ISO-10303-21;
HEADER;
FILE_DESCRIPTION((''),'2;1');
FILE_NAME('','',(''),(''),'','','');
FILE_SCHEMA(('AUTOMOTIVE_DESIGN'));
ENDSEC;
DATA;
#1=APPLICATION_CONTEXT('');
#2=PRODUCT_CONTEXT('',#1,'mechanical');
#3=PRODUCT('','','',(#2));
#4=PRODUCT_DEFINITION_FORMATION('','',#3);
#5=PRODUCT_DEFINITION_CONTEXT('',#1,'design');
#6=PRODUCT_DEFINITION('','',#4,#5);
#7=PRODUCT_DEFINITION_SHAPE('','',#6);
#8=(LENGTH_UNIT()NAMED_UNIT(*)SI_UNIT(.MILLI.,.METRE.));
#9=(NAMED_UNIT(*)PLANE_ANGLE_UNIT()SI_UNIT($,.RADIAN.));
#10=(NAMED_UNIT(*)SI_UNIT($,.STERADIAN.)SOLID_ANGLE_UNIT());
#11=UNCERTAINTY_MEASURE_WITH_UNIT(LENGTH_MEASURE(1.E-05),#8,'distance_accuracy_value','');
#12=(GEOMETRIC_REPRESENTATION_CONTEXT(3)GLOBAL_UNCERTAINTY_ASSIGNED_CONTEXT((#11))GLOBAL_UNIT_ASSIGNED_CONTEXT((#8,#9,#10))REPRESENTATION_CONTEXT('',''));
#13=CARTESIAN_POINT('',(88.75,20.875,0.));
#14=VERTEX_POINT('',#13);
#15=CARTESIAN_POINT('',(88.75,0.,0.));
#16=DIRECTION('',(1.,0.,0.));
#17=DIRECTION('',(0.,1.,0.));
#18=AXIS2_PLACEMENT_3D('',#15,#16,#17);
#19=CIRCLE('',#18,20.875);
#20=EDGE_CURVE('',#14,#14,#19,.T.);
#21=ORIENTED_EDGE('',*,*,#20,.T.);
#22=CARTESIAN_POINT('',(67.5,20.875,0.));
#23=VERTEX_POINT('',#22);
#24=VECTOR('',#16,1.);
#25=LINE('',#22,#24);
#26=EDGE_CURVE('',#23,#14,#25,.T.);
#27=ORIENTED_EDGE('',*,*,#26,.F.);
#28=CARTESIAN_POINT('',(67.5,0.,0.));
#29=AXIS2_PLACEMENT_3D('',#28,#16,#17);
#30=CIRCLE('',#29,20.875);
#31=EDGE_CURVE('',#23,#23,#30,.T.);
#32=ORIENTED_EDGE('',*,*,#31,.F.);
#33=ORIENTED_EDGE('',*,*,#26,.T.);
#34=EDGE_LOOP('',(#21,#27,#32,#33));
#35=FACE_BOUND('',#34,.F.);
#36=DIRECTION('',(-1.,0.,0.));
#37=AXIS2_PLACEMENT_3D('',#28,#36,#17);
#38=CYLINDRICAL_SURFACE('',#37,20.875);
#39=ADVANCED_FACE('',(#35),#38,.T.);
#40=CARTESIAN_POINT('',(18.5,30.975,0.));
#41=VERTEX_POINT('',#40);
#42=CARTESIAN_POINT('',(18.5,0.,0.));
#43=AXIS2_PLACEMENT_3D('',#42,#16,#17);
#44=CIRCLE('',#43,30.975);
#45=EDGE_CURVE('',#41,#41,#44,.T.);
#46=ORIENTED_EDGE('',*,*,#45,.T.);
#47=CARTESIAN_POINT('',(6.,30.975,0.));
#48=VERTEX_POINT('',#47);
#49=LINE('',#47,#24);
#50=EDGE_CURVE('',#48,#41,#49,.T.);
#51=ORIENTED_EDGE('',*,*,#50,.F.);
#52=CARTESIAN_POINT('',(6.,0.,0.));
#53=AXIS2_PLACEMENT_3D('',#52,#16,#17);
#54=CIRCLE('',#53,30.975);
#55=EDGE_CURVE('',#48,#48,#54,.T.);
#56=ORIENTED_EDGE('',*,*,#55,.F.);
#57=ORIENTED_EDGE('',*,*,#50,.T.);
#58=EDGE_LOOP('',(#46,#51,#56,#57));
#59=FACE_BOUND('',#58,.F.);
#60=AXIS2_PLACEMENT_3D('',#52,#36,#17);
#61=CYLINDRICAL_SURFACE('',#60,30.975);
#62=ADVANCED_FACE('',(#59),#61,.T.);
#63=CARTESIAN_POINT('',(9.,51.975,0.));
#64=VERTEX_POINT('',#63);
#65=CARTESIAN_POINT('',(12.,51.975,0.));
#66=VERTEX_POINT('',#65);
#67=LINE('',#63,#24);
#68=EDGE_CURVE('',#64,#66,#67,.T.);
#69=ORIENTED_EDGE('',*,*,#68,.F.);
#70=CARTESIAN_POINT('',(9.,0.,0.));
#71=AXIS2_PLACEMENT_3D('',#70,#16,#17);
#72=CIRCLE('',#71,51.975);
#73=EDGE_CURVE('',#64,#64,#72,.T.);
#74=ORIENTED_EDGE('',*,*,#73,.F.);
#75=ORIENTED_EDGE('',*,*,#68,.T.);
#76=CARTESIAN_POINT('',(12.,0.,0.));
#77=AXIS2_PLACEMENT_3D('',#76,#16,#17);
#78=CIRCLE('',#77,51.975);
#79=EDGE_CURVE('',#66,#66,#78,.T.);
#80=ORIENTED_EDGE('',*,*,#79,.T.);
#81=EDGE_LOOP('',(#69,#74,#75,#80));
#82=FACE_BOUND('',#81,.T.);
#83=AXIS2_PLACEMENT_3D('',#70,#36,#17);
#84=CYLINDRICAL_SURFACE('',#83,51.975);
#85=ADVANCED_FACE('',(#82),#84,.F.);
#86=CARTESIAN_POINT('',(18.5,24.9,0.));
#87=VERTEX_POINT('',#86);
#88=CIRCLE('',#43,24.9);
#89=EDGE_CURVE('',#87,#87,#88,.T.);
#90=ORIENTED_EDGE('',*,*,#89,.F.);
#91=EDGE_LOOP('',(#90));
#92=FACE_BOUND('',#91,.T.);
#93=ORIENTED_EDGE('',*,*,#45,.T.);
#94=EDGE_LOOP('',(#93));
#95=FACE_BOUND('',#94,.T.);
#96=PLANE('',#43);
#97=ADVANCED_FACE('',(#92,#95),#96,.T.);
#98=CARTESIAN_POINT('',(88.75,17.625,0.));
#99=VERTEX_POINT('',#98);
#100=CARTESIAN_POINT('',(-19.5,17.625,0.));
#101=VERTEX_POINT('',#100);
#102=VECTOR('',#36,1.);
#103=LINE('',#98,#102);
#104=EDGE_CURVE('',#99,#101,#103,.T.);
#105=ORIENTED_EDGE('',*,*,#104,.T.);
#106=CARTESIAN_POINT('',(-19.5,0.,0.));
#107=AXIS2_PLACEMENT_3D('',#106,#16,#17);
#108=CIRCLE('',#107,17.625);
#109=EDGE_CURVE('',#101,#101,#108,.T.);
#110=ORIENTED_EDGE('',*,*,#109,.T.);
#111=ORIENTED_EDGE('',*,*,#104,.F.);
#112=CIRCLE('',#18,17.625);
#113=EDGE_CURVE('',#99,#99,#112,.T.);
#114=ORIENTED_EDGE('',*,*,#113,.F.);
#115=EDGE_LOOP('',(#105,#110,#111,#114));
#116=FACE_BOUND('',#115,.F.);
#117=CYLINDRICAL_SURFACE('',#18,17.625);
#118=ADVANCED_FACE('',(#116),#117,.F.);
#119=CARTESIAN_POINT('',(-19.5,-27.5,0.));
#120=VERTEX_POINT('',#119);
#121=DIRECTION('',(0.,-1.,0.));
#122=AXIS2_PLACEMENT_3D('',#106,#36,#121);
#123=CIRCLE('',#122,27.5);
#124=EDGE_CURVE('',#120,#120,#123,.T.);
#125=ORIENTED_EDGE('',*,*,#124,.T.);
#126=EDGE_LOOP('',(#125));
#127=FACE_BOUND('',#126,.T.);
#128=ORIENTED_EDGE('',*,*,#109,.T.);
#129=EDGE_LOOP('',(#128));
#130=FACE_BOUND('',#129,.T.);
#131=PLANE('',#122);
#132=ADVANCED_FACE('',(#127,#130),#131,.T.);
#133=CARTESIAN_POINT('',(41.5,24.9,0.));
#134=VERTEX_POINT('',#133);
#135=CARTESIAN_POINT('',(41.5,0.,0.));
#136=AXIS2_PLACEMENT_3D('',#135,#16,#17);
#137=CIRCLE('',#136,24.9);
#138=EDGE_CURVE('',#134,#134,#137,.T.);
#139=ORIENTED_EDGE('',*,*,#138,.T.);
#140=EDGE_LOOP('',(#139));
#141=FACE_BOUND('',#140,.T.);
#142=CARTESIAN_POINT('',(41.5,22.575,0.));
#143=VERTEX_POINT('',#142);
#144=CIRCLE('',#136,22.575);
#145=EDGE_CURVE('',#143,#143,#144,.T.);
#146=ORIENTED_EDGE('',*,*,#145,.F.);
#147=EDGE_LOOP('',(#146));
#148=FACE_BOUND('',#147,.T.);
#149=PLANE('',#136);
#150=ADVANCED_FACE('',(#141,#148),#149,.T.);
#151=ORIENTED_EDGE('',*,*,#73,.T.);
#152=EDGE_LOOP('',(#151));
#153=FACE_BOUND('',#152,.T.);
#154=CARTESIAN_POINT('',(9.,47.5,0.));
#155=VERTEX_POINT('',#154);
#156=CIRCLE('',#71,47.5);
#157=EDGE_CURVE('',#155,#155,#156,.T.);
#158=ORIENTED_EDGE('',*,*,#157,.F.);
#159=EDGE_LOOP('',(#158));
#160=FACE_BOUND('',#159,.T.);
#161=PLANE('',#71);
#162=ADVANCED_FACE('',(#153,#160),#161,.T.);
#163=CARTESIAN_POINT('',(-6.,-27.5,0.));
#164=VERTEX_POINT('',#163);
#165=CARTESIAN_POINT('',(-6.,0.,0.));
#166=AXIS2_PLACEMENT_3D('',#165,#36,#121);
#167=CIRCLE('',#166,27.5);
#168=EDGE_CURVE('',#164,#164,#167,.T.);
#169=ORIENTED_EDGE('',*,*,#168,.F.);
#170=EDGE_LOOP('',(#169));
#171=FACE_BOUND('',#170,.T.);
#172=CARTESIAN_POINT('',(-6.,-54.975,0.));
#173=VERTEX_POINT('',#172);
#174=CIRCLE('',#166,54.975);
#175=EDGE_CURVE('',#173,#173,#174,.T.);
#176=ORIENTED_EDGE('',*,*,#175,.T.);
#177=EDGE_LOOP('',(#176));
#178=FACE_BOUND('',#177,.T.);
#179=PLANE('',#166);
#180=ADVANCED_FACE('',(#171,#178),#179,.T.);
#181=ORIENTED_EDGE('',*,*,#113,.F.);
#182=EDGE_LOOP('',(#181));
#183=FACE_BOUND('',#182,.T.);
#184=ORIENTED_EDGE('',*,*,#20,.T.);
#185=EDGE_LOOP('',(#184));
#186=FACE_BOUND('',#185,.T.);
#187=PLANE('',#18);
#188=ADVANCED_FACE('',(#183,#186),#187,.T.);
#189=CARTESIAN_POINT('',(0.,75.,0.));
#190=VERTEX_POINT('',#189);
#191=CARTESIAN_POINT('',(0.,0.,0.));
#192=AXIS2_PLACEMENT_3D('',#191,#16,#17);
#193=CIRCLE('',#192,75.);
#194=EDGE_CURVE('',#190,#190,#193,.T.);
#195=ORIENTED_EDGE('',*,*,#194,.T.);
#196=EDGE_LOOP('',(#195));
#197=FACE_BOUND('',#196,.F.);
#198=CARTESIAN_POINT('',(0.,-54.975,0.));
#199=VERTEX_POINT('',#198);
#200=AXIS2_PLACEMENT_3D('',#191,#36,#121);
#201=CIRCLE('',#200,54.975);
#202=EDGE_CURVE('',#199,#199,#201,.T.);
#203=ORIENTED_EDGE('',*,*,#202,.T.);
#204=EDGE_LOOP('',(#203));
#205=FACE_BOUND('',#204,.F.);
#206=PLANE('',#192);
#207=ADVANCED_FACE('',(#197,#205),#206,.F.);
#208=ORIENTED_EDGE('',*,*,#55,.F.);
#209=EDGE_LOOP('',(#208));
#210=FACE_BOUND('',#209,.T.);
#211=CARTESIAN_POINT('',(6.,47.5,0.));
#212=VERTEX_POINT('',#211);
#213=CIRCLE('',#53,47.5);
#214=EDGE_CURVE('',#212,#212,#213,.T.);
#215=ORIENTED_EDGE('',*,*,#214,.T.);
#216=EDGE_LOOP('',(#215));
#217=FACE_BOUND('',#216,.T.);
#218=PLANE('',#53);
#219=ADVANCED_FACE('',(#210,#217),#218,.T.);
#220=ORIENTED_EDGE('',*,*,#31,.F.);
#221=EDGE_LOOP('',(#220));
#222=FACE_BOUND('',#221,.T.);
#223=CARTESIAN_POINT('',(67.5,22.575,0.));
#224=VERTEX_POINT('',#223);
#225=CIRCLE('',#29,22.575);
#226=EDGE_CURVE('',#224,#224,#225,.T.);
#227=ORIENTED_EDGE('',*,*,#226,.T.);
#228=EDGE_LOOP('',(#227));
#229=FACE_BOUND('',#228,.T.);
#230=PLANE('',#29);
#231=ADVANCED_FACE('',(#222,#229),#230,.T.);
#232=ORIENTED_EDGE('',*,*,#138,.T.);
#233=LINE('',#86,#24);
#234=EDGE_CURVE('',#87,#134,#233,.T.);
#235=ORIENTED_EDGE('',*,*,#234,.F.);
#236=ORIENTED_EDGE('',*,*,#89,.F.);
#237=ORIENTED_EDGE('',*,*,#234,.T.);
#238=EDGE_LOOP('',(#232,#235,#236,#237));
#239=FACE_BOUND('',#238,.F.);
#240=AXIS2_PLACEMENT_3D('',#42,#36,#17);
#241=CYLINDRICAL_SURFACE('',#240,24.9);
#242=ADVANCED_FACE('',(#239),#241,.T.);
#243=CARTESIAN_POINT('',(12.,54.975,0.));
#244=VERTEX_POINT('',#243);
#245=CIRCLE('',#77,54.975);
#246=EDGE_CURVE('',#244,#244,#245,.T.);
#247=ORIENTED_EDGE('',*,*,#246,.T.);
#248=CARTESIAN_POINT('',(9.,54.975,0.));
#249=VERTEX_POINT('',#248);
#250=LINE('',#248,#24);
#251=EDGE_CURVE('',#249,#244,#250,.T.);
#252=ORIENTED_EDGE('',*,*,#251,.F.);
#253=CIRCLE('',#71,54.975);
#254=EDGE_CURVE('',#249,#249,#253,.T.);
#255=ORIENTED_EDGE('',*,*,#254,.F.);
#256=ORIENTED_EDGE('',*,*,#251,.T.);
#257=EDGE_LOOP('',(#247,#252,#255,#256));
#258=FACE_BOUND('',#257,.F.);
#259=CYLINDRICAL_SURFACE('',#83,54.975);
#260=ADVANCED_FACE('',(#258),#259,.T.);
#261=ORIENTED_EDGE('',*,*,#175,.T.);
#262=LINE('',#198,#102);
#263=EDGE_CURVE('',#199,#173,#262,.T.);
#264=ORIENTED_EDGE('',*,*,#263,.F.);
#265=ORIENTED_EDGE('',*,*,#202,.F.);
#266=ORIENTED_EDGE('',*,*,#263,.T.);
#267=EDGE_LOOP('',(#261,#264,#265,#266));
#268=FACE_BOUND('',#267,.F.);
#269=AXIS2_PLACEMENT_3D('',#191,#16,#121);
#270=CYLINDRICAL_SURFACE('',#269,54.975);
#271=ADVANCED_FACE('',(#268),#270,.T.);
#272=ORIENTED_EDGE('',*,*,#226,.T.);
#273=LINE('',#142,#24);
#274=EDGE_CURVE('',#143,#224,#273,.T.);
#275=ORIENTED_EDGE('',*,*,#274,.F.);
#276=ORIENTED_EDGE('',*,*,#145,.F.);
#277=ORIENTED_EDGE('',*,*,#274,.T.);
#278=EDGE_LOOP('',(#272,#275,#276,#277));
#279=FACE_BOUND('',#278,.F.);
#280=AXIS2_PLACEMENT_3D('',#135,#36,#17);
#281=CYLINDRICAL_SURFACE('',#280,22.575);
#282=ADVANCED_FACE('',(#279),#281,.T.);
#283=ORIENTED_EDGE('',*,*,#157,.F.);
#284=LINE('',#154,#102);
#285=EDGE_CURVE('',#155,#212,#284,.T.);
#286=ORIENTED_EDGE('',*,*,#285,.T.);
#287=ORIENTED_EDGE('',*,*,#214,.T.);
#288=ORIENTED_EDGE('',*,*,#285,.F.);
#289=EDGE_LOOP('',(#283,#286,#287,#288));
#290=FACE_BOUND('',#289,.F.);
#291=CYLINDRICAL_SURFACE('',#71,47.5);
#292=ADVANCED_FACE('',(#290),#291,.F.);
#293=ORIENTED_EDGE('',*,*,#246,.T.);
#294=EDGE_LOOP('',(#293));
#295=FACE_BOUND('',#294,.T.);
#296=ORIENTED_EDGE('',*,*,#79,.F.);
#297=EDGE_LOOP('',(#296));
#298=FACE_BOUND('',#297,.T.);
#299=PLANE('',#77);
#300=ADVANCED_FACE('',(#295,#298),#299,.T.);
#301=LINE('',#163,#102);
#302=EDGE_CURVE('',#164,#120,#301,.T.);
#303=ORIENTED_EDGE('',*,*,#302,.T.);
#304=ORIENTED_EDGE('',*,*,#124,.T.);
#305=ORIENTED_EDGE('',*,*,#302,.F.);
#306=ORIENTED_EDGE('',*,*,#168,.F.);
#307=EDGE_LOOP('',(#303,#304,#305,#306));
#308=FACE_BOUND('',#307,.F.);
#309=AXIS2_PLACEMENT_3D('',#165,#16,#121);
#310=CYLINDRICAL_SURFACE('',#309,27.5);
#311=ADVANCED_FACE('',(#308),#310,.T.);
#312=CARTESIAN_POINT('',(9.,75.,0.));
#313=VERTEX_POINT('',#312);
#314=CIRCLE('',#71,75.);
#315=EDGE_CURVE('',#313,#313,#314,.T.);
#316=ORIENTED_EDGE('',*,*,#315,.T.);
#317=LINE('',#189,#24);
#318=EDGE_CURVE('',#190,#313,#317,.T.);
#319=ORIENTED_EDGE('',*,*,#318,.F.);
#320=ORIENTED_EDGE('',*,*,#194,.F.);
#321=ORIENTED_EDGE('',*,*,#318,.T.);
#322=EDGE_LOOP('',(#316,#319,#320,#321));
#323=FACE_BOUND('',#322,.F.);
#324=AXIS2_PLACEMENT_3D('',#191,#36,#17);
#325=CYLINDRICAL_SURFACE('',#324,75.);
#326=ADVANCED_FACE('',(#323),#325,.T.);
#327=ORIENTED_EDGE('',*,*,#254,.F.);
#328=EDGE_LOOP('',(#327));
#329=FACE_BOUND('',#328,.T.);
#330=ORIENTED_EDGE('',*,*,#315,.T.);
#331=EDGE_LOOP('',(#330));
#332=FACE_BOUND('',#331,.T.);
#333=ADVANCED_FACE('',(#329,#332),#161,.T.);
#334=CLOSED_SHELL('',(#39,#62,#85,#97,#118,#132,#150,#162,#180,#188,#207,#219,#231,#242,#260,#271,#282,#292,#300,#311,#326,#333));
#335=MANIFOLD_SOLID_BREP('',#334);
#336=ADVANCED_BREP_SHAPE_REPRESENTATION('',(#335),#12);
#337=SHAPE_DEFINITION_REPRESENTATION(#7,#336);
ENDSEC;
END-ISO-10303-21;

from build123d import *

# Parameters (mm, degrees)
F0_R           = 75
F1_DEPTH       = 9
F2_R           = 54.975
F2_R_2         = 51.975
F3_DEPTH       = 3
F4_R           = 47.5
F5_DEPTH       = 3
F6_R           = 54.975
F7_DEPTH       = 6
F8_R           = 30.975
F9_DEPTH       = 12.5
F10_R          = 24.9
F11_DEPTH      = 23
F12_R          = 22.575
F13_DEPTH      = 26
F14_R          = 20.875
F15_DEPTH      = 21.25
F16_R          = 27.5
F17_DEPTH      = 13.5
F18_R          = 16.825
F19_DEPTH      = 19.501
F19_DEPTH_BACK = 88.751
F20_R          = 17.625
F21_DEPTH      = 122


with BuildPart() as f1:
    # F0 (on Right) → F1 (new body)
    with BuildSketch(Plane.YZ):
        Circle(F0_R)
    extrude(amount=F1_DEPTH)

    # F2 (on face) → F3 (join)
    with BuildSketch(Plane.YZ.offset(9)):
        Circle(F2_R)
        Circle(F2_R_2, mode=Mode.SUBTRACT)
    extrude(amount=F3_DEPTH)

    # F4 (on face) → F5 (cut)
    with BuildSketch(Plane.YZ.offset(9)):
        Circle(F4_R)
    extrude(amount=-F5_DEPTH, mode=Mode.SUBTRACT)

    # F6 (on face) → F7 (join)
    with BuildSketch(Plane(origin=(0, 0, 0), x_dir=(0, -1, 0), z_dir=(-1, 0, 0))):
        Circle(F6_R)
    extrude(amount=F7_DEPTH)

    # F8 (on face) → F9 (join)
    with BuildSketch(Plane.YZ.offset(6)):
        Circle(F8_R)
    extrude(amount=F9_DEPTH)

    # F10 (on face) → F11 (join)
    with BuildSketch(Plane.YZ.offset(18.5)):
        Circle(F10_R)
    extrude(amount=F11_DEPTH)

    # F12 (on face) → F13 (join)
    with BuildSketch(Plane.YZ.offset(41.5)):
        Circle(F12_R)
    extrude(amount=F13_DEPTH)

    # F14 (on face) → F15 (join)
    with BuildSketch(Plane.YZ.offset(67.5)):
        Circle(F14_R)
    extrude(amount=F15_DEPTH)

    # F16 (on face) → F17 (join)
    with BuildSketch(Plane(origin=(-6, 0, 0), x_dir=(0, -1, 0), z_dir=(-1, 0, 0))):
        Circle(F16_R)
    extrude(amount=F17_DEPTH)

    # F18 (on Right) → F19 (cut, two sides)
    with BuildSketch(Plane.YZ) as f19_sk:
        Circle(F18_R)
    extrude(amount=-F19_DEPTH, mode=Mode.SUBTRACT)
    extrude(f19_sk.sketch, amount=-F19_DEPTH_BACK, mode=Mode.SUBTRACT)

    # F20 (on face) → F21 (cut)
    with BuildSketch(Plane.YZ.offset(88.75)):
        Circle(F20_R)
    extrude(amount=-F21_DEPTH, mode=Mode.SUBTRACT)


solid = f1.part
